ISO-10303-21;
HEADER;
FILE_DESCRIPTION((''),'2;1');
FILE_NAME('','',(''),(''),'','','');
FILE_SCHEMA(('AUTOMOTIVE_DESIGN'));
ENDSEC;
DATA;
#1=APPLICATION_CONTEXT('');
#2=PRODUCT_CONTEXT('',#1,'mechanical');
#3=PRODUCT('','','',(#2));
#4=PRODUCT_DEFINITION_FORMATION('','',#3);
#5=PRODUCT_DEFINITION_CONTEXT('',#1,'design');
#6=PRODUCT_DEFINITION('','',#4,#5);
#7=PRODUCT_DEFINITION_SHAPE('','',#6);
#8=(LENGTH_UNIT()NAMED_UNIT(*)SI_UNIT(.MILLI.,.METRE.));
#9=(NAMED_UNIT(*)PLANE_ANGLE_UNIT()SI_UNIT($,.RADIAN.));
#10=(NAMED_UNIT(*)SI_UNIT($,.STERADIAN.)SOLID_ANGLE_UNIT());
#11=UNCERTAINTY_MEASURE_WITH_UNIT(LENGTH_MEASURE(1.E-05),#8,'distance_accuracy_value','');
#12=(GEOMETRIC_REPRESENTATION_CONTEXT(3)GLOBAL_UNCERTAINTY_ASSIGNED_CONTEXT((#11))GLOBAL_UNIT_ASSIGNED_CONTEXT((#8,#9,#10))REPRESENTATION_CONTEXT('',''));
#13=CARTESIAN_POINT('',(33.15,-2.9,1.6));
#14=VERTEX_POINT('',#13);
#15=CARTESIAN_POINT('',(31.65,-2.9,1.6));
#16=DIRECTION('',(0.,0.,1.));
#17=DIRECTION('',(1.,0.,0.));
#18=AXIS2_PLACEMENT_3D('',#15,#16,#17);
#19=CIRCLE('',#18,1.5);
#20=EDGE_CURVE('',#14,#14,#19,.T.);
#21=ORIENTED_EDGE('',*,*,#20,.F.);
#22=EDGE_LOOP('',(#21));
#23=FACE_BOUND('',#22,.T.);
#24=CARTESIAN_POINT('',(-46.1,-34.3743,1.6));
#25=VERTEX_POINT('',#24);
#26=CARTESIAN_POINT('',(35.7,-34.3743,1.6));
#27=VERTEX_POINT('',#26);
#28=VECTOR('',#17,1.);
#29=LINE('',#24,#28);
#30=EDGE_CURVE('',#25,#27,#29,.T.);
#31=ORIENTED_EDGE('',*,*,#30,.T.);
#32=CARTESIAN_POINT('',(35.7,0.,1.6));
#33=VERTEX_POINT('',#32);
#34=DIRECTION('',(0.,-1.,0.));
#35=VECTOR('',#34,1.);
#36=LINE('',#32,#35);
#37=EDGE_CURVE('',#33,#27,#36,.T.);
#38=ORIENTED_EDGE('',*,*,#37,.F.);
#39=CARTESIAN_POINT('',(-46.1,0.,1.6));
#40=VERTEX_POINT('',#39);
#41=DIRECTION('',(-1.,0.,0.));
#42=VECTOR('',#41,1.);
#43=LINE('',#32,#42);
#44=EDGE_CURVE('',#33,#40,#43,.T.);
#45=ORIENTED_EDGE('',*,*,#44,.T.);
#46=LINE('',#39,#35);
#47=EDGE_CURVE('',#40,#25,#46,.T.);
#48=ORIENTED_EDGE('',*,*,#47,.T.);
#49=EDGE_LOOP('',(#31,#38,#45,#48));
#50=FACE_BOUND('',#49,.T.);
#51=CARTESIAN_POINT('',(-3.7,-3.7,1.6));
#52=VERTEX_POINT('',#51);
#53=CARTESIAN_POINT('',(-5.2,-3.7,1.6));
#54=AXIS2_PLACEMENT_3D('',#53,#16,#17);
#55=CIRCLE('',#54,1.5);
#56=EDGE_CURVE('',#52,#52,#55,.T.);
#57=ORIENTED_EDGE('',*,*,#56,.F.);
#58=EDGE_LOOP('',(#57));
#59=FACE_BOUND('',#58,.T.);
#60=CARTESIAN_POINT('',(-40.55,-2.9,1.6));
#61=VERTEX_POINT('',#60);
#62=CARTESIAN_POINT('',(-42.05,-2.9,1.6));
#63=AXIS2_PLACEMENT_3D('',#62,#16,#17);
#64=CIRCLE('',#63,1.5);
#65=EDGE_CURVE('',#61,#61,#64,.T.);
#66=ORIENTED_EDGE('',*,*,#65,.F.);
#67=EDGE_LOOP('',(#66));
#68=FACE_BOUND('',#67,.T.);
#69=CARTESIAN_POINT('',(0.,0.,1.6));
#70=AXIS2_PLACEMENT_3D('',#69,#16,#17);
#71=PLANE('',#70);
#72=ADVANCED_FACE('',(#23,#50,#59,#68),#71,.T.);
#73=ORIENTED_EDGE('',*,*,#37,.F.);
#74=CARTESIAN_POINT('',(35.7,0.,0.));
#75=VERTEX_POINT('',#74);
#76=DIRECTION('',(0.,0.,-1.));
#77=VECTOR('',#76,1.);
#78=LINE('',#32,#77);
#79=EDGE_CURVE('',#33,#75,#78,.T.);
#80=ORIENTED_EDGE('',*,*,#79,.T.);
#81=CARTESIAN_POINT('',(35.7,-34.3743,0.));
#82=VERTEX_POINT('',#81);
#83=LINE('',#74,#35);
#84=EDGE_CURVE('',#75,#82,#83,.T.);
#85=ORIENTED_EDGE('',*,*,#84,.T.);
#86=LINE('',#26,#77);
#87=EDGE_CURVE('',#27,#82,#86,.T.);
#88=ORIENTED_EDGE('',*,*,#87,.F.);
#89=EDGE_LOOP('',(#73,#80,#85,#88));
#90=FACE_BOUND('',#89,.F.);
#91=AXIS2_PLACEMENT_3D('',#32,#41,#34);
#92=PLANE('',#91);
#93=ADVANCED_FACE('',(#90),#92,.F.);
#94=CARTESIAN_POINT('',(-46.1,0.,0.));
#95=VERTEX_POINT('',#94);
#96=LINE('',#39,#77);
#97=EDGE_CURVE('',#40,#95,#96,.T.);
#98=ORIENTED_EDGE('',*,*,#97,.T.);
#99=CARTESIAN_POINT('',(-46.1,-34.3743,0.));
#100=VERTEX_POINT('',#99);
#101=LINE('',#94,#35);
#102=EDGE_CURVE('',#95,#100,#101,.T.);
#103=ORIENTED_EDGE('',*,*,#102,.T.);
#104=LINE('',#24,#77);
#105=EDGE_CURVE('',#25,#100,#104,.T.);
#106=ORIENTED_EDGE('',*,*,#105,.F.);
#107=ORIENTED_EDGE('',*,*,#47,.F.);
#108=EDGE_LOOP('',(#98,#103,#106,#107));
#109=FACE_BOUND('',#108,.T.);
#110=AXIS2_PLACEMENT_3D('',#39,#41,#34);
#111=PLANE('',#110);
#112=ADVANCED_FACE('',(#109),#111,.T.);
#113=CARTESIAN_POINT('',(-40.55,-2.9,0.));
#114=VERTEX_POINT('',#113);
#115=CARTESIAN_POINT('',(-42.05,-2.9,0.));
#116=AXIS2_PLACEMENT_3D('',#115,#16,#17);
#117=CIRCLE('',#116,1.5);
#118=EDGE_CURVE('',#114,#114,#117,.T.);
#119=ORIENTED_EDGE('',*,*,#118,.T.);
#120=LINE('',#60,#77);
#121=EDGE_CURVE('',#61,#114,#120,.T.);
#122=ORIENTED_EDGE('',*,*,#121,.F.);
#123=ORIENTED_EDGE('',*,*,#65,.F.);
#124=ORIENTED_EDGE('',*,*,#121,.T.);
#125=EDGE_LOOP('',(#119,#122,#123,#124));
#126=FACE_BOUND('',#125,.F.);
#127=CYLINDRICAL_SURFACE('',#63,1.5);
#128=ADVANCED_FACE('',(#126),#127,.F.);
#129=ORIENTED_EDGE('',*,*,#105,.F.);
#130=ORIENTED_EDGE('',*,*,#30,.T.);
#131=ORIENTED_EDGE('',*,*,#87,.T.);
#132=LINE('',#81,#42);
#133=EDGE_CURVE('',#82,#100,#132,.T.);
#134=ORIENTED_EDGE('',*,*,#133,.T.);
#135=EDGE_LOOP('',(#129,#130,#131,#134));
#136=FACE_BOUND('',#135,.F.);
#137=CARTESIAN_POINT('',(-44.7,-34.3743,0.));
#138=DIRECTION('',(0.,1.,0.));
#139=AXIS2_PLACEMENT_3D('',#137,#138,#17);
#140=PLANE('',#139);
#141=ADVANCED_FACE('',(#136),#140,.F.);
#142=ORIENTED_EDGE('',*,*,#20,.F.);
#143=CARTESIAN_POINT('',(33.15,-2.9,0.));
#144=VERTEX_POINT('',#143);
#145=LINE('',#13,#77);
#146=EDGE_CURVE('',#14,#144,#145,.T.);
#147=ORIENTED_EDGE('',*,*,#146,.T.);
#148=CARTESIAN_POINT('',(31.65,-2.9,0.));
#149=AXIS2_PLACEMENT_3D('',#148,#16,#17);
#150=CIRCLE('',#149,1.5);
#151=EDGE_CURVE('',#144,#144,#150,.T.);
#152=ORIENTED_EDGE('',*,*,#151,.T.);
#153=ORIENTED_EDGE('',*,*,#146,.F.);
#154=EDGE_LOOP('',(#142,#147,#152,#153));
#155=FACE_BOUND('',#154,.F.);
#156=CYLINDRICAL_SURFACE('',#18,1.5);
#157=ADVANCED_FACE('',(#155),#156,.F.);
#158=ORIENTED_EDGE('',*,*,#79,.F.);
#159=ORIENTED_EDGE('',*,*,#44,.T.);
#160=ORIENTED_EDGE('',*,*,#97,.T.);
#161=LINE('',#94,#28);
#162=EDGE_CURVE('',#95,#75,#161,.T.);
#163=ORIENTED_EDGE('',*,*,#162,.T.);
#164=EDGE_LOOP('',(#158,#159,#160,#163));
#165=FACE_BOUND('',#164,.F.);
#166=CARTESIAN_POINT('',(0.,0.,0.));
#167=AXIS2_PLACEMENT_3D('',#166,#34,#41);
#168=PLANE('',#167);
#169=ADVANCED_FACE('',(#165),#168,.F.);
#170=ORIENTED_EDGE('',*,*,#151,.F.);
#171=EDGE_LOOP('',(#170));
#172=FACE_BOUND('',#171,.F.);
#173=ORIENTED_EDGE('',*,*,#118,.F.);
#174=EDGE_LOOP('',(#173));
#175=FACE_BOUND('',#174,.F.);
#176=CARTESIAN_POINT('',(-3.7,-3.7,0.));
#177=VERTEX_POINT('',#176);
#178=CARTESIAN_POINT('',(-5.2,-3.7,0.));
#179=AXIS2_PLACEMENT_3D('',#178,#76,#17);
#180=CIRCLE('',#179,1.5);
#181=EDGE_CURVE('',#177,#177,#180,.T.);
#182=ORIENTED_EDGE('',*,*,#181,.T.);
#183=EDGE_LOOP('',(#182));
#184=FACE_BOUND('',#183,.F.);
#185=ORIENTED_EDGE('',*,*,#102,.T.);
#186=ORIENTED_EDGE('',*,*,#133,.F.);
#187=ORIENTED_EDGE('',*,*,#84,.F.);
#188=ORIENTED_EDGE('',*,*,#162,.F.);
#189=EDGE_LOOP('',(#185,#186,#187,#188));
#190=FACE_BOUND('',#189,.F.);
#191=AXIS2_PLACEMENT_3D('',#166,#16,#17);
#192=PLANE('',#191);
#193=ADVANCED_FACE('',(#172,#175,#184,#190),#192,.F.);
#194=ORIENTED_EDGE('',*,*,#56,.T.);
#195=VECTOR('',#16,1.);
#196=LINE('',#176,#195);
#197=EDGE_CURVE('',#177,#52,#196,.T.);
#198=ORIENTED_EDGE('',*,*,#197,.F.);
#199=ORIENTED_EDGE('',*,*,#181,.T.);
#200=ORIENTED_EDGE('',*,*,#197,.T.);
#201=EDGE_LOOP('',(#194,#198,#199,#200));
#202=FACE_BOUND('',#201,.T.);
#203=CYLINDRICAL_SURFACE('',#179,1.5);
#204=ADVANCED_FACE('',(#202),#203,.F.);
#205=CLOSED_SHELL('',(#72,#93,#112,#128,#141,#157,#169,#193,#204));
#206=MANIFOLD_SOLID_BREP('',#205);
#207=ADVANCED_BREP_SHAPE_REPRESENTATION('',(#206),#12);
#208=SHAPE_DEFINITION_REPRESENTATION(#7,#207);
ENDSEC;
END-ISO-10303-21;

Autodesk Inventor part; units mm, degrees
ref_plane "YZ Plane" through (0, 0, 0) normal (1, 0, 0) x (0, 1, 0)
ref_plane "XZ Plane" through (0, 0, 0) normal (0, 1, 0) x (-1, 0, 0)
ref_plane "XY Plane" through (0, 0, 0) normal (0, 0, 1) x (1, 0, 0)
sketch "Szkic1" plane through (0, 0, 0) normal (0, 0, 1) x (1, 0, 0)
  circle A0 centre (-5.2, -2.45) radius 1.5 projected
  line L0 (-10.4, 2.5) -> (0, 2.5) projected
  line L1 (-10.4, 2.5) -> (-10.4, -7.4) projected
  line L2 (-10.4, -7.4) -> (0, -7.4) projected
  line L3 (0, 2.5) -> (0, -7.4) projected
  line L4 (-47.2, 2.5) -> (36.8, 2.5) projected
  line L5 (-47.2, -36.8743) -> (-47.2, 14.8735) projected
  line L6 (36.8, -36.8743) -> (36.8, 14.8735) projected
  line L7 (-47.2, 2.5) -> (36.8, 2.5)
  line L8 (36.8, 2.5) -> (36.8, -36.8743)
  line L9 (36.8, -36.8743) -> (-47.2, -36.8743)
  line L10 (-47.2, -36.8743) -> (-47.2, 2.5)
  line L11 (-44.7, -34.3743) -> (34.3, -34.3743)
  line L12 (34.3, -34.3743) -> (34.3, 0)
  line L13 (34.3, 0) -> (-44.7, 0)
  line L14 (-44.7, 0) -> (-44.7, -34.3743)
  line L15 (-5.2, 0) -> (-5.2, -7.4)
  circle A1 centre (-5.2, -3.7) radius 1.5
  point P0 (0, 0)
  dimension "d0" = 2.5
extrude "Wyciągnięcie proste1" add sketch "Szkic1" along normal blind 1.6 contours A0 A1 L15 | A0 L15 L13 L3 L2 A1 | L15 A1 A0 | A0 A1 L15 L2 L1 L13 | L13 L12 L11 L14 L1 L2 L3 picked at (-4.9756, -1.8088) picked at (-5.4233, -1.8086)
sketch "Szkic2" plane through (0, 0, 1.6) normal (0, 0, 1) x (1, 0, 0)
  circle A0 centre (-42.05, -2.9) radius 1.5 projected
  circle A1 centre (31.65, -2.9) radius 1.5 projected
  point P0 (0, 0)
extrude "Wyciągnięcie proste2" cut sketch "Szkic2" against normal through all
sketch "Szkic3" plane through (0, 0, 1.6) normal (0, 0, 1) x (1, 0, 0)
  circle A0 centre (31.65, -2.9) radius 1.5 projected
  circle A1 centre (-42.05, -2.9) radius 1.5 projected
  line L0 (-44.7, 0) -> (-44.7, -34.3743) projected
  line L1 (-44.7, -34.3743) -> (34.3, -34.3743) projected
  line L2 (34.3, -34.3743) -> (34.3, 0) projected
  line L3 (34.3, 0) -> (-44.7, 0) projected
  circle A2 centre (-5.2, -3.7) radius 1.5 projected
  line L4 (-44.7, 0) -> (-44.7, -34.3743) projected
  line L5 (34.3, 0) -> (-44.7, 0) projected
  line L6 (-44.7, -34.3743) -> (34.3, -34.3743)
  line L7 (34.3, -34.3743) -> (34.3, 0)
  line L8 (34.3, 0) -> (-44.7, 0)
  line L9 (-44.7, 0) -> (-44.7, -34.3743)
  line L10 (-46.1, 0) -> (-46.1, -34.3743)
  line L11 (35.7, 0) -> (35.7, -35.7743)
  line L12 (35.7, -35.7743) -> (-44.7, -35.7743)
  line L13 (-46.1, -34.3743) -> (35.7, -34.3743)
  line L14 (-44.7, -34.3743) -> (34.3, -34.3743) projected
  line L15 (-46.1, 0) -> (35.7, 0)
  point P0 (0, 0)
  dimension "d5" = 1.4
  dimension "d6" = 1.4
extrude "Wyciągnięcie proste3" add sketch "Szkic3" against normal up to surface (1.6 mm away) contours L0 L13 L10 L15 | L15 L11 L13 L2
sketch "Szkic5" plane through (0, 0, 1.6) normal (0, 0, 1) x (1, 0, 0)
  circle A0 centre (31.65, -2.9) radius 1.5 projected
  circle A1 centre (-42.05, -2.9) radius 1.5 projected
  line L0 (-46.1, -34.3743) -> (35.7, -34.3743) projected
  line L1 (35.7, -34.3743) -> (35.7, 0) projected
  line L2 (35.7, 0) -> (-46.1, 0) projected
  line L3 (-46.1, 0) -> (-46.1, -34.3743) projected
  circle A2 centre (-5.2, -3.7) radius 1.5 projected
  point P0 (0, 0)
properties part number "PCBE_2_2"
